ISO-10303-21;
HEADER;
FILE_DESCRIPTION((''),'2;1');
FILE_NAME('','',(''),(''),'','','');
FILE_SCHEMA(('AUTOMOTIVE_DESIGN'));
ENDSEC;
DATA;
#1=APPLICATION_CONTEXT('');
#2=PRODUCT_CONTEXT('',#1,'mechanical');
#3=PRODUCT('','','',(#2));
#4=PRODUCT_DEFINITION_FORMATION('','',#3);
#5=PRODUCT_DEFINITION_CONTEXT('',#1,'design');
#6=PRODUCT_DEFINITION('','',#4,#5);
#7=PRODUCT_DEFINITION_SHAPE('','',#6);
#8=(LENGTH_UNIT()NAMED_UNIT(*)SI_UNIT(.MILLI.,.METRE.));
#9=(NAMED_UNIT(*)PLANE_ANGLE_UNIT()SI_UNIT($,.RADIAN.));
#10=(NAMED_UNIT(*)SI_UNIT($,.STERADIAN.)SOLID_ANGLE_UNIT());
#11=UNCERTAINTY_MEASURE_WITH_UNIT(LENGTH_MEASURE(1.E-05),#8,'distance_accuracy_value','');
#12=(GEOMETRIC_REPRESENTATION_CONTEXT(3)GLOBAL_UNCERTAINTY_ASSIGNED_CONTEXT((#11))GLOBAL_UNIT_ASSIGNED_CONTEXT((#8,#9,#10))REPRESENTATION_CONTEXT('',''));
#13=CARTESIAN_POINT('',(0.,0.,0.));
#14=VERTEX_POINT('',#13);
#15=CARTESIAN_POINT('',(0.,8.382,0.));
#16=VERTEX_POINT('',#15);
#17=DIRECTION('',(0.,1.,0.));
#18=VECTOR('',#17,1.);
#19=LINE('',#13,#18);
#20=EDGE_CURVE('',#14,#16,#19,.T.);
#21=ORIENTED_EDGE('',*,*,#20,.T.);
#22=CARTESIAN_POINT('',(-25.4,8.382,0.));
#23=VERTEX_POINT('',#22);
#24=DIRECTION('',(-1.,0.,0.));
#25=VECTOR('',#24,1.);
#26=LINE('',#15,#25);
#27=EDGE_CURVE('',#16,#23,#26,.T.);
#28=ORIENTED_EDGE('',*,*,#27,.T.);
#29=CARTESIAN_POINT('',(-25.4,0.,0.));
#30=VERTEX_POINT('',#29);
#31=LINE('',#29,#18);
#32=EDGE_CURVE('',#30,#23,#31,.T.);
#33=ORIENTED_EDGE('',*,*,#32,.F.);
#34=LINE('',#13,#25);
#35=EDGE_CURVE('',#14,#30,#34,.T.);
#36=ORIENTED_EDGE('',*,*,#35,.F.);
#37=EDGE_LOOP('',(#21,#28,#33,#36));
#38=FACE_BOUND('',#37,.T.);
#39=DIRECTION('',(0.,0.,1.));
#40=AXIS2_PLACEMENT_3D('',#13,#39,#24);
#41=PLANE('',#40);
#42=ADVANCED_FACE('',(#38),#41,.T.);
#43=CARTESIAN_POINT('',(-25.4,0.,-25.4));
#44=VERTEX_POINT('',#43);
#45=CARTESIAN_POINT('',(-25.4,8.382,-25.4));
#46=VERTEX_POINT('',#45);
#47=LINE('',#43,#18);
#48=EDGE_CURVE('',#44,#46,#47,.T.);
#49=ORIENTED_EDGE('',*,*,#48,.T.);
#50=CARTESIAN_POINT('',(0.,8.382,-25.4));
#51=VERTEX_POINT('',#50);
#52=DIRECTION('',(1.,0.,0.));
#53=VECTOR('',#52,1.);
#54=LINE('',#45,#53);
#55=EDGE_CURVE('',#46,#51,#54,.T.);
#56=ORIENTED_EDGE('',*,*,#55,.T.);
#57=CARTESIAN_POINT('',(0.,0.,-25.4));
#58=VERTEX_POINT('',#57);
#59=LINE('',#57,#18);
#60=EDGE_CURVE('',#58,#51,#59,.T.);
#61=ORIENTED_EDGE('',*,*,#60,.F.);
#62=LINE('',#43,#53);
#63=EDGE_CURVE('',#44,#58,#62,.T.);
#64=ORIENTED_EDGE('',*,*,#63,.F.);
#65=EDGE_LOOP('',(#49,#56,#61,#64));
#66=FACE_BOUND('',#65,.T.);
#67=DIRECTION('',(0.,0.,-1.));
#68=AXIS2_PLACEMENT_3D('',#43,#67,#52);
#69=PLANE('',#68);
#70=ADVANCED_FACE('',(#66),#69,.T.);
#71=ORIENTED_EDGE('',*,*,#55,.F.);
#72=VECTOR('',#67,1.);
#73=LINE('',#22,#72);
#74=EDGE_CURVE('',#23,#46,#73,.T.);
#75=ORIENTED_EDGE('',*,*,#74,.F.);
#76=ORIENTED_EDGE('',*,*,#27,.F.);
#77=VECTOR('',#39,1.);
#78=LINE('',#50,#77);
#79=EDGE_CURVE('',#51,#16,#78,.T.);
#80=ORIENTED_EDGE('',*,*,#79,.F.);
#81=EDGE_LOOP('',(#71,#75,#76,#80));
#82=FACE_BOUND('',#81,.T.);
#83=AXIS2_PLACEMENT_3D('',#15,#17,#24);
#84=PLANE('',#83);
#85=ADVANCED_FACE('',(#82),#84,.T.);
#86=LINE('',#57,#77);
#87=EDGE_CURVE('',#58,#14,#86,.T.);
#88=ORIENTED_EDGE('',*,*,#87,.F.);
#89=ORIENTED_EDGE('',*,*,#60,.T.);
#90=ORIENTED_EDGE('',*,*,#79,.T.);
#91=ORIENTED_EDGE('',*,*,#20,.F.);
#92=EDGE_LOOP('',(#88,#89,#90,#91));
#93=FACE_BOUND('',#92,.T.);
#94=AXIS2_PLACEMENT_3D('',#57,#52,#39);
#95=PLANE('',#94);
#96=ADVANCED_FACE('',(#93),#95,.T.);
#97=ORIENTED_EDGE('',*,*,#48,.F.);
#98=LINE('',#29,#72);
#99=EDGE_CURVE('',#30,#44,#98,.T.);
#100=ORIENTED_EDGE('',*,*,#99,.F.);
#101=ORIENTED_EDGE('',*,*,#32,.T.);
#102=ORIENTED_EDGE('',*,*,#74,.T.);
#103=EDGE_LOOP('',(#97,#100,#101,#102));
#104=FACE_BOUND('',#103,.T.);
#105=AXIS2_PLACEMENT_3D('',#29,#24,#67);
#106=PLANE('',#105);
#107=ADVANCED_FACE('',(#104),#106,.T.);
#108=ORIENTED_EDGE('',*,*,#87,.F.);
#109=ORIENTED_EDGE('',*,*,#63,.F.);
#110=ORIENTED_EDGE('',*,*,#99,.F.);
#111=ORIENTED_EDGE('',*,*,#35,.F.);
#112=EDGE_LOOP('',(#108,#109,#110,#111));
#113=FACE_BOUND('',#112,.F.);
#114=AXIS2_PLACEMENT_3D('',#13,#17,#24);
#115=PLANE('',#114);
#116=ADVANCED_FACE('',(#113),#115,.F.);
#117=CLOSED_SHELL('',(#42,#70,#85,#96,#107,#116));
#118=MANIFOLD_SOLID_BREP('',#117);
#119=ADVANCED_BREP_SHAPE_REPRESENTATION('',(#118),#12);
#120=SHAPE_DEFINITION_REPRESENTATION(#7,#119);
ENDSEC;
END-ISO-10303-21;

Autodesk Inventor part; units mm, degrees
ref_plane "YZ Plane" through (0, 0, 0) normal (1, 0, 0) x (0, 1, 0)
ref_plane "XZ Plane" through (0, 0, 0) normal (0, 1, 0) x (-1, 0, 0)
ref_plane "XY Plane" through (0, 0, 0) normal (0, 0, 1) x (1, 0, 0)
sketch "Sketch1" plane through (0, 0, 0) normal (0, 1, 0) x (-1, 0, 0)
  line L0 (0, 0) -> (25.4, 0)
  line L1 (25.4, 0) -> (25.4, -25.4)
  line L2 (25.4, -25.4) -> (0, -25.4)
  line L3 (0, -25.4) -> (0, 0)
  dimension "d0" = 25.4
  dimension "d1" = 25.4
extrude "Extrusion1" add sketch "Sketch1" along normal blind 8.382
properties part number "RPI camera"
